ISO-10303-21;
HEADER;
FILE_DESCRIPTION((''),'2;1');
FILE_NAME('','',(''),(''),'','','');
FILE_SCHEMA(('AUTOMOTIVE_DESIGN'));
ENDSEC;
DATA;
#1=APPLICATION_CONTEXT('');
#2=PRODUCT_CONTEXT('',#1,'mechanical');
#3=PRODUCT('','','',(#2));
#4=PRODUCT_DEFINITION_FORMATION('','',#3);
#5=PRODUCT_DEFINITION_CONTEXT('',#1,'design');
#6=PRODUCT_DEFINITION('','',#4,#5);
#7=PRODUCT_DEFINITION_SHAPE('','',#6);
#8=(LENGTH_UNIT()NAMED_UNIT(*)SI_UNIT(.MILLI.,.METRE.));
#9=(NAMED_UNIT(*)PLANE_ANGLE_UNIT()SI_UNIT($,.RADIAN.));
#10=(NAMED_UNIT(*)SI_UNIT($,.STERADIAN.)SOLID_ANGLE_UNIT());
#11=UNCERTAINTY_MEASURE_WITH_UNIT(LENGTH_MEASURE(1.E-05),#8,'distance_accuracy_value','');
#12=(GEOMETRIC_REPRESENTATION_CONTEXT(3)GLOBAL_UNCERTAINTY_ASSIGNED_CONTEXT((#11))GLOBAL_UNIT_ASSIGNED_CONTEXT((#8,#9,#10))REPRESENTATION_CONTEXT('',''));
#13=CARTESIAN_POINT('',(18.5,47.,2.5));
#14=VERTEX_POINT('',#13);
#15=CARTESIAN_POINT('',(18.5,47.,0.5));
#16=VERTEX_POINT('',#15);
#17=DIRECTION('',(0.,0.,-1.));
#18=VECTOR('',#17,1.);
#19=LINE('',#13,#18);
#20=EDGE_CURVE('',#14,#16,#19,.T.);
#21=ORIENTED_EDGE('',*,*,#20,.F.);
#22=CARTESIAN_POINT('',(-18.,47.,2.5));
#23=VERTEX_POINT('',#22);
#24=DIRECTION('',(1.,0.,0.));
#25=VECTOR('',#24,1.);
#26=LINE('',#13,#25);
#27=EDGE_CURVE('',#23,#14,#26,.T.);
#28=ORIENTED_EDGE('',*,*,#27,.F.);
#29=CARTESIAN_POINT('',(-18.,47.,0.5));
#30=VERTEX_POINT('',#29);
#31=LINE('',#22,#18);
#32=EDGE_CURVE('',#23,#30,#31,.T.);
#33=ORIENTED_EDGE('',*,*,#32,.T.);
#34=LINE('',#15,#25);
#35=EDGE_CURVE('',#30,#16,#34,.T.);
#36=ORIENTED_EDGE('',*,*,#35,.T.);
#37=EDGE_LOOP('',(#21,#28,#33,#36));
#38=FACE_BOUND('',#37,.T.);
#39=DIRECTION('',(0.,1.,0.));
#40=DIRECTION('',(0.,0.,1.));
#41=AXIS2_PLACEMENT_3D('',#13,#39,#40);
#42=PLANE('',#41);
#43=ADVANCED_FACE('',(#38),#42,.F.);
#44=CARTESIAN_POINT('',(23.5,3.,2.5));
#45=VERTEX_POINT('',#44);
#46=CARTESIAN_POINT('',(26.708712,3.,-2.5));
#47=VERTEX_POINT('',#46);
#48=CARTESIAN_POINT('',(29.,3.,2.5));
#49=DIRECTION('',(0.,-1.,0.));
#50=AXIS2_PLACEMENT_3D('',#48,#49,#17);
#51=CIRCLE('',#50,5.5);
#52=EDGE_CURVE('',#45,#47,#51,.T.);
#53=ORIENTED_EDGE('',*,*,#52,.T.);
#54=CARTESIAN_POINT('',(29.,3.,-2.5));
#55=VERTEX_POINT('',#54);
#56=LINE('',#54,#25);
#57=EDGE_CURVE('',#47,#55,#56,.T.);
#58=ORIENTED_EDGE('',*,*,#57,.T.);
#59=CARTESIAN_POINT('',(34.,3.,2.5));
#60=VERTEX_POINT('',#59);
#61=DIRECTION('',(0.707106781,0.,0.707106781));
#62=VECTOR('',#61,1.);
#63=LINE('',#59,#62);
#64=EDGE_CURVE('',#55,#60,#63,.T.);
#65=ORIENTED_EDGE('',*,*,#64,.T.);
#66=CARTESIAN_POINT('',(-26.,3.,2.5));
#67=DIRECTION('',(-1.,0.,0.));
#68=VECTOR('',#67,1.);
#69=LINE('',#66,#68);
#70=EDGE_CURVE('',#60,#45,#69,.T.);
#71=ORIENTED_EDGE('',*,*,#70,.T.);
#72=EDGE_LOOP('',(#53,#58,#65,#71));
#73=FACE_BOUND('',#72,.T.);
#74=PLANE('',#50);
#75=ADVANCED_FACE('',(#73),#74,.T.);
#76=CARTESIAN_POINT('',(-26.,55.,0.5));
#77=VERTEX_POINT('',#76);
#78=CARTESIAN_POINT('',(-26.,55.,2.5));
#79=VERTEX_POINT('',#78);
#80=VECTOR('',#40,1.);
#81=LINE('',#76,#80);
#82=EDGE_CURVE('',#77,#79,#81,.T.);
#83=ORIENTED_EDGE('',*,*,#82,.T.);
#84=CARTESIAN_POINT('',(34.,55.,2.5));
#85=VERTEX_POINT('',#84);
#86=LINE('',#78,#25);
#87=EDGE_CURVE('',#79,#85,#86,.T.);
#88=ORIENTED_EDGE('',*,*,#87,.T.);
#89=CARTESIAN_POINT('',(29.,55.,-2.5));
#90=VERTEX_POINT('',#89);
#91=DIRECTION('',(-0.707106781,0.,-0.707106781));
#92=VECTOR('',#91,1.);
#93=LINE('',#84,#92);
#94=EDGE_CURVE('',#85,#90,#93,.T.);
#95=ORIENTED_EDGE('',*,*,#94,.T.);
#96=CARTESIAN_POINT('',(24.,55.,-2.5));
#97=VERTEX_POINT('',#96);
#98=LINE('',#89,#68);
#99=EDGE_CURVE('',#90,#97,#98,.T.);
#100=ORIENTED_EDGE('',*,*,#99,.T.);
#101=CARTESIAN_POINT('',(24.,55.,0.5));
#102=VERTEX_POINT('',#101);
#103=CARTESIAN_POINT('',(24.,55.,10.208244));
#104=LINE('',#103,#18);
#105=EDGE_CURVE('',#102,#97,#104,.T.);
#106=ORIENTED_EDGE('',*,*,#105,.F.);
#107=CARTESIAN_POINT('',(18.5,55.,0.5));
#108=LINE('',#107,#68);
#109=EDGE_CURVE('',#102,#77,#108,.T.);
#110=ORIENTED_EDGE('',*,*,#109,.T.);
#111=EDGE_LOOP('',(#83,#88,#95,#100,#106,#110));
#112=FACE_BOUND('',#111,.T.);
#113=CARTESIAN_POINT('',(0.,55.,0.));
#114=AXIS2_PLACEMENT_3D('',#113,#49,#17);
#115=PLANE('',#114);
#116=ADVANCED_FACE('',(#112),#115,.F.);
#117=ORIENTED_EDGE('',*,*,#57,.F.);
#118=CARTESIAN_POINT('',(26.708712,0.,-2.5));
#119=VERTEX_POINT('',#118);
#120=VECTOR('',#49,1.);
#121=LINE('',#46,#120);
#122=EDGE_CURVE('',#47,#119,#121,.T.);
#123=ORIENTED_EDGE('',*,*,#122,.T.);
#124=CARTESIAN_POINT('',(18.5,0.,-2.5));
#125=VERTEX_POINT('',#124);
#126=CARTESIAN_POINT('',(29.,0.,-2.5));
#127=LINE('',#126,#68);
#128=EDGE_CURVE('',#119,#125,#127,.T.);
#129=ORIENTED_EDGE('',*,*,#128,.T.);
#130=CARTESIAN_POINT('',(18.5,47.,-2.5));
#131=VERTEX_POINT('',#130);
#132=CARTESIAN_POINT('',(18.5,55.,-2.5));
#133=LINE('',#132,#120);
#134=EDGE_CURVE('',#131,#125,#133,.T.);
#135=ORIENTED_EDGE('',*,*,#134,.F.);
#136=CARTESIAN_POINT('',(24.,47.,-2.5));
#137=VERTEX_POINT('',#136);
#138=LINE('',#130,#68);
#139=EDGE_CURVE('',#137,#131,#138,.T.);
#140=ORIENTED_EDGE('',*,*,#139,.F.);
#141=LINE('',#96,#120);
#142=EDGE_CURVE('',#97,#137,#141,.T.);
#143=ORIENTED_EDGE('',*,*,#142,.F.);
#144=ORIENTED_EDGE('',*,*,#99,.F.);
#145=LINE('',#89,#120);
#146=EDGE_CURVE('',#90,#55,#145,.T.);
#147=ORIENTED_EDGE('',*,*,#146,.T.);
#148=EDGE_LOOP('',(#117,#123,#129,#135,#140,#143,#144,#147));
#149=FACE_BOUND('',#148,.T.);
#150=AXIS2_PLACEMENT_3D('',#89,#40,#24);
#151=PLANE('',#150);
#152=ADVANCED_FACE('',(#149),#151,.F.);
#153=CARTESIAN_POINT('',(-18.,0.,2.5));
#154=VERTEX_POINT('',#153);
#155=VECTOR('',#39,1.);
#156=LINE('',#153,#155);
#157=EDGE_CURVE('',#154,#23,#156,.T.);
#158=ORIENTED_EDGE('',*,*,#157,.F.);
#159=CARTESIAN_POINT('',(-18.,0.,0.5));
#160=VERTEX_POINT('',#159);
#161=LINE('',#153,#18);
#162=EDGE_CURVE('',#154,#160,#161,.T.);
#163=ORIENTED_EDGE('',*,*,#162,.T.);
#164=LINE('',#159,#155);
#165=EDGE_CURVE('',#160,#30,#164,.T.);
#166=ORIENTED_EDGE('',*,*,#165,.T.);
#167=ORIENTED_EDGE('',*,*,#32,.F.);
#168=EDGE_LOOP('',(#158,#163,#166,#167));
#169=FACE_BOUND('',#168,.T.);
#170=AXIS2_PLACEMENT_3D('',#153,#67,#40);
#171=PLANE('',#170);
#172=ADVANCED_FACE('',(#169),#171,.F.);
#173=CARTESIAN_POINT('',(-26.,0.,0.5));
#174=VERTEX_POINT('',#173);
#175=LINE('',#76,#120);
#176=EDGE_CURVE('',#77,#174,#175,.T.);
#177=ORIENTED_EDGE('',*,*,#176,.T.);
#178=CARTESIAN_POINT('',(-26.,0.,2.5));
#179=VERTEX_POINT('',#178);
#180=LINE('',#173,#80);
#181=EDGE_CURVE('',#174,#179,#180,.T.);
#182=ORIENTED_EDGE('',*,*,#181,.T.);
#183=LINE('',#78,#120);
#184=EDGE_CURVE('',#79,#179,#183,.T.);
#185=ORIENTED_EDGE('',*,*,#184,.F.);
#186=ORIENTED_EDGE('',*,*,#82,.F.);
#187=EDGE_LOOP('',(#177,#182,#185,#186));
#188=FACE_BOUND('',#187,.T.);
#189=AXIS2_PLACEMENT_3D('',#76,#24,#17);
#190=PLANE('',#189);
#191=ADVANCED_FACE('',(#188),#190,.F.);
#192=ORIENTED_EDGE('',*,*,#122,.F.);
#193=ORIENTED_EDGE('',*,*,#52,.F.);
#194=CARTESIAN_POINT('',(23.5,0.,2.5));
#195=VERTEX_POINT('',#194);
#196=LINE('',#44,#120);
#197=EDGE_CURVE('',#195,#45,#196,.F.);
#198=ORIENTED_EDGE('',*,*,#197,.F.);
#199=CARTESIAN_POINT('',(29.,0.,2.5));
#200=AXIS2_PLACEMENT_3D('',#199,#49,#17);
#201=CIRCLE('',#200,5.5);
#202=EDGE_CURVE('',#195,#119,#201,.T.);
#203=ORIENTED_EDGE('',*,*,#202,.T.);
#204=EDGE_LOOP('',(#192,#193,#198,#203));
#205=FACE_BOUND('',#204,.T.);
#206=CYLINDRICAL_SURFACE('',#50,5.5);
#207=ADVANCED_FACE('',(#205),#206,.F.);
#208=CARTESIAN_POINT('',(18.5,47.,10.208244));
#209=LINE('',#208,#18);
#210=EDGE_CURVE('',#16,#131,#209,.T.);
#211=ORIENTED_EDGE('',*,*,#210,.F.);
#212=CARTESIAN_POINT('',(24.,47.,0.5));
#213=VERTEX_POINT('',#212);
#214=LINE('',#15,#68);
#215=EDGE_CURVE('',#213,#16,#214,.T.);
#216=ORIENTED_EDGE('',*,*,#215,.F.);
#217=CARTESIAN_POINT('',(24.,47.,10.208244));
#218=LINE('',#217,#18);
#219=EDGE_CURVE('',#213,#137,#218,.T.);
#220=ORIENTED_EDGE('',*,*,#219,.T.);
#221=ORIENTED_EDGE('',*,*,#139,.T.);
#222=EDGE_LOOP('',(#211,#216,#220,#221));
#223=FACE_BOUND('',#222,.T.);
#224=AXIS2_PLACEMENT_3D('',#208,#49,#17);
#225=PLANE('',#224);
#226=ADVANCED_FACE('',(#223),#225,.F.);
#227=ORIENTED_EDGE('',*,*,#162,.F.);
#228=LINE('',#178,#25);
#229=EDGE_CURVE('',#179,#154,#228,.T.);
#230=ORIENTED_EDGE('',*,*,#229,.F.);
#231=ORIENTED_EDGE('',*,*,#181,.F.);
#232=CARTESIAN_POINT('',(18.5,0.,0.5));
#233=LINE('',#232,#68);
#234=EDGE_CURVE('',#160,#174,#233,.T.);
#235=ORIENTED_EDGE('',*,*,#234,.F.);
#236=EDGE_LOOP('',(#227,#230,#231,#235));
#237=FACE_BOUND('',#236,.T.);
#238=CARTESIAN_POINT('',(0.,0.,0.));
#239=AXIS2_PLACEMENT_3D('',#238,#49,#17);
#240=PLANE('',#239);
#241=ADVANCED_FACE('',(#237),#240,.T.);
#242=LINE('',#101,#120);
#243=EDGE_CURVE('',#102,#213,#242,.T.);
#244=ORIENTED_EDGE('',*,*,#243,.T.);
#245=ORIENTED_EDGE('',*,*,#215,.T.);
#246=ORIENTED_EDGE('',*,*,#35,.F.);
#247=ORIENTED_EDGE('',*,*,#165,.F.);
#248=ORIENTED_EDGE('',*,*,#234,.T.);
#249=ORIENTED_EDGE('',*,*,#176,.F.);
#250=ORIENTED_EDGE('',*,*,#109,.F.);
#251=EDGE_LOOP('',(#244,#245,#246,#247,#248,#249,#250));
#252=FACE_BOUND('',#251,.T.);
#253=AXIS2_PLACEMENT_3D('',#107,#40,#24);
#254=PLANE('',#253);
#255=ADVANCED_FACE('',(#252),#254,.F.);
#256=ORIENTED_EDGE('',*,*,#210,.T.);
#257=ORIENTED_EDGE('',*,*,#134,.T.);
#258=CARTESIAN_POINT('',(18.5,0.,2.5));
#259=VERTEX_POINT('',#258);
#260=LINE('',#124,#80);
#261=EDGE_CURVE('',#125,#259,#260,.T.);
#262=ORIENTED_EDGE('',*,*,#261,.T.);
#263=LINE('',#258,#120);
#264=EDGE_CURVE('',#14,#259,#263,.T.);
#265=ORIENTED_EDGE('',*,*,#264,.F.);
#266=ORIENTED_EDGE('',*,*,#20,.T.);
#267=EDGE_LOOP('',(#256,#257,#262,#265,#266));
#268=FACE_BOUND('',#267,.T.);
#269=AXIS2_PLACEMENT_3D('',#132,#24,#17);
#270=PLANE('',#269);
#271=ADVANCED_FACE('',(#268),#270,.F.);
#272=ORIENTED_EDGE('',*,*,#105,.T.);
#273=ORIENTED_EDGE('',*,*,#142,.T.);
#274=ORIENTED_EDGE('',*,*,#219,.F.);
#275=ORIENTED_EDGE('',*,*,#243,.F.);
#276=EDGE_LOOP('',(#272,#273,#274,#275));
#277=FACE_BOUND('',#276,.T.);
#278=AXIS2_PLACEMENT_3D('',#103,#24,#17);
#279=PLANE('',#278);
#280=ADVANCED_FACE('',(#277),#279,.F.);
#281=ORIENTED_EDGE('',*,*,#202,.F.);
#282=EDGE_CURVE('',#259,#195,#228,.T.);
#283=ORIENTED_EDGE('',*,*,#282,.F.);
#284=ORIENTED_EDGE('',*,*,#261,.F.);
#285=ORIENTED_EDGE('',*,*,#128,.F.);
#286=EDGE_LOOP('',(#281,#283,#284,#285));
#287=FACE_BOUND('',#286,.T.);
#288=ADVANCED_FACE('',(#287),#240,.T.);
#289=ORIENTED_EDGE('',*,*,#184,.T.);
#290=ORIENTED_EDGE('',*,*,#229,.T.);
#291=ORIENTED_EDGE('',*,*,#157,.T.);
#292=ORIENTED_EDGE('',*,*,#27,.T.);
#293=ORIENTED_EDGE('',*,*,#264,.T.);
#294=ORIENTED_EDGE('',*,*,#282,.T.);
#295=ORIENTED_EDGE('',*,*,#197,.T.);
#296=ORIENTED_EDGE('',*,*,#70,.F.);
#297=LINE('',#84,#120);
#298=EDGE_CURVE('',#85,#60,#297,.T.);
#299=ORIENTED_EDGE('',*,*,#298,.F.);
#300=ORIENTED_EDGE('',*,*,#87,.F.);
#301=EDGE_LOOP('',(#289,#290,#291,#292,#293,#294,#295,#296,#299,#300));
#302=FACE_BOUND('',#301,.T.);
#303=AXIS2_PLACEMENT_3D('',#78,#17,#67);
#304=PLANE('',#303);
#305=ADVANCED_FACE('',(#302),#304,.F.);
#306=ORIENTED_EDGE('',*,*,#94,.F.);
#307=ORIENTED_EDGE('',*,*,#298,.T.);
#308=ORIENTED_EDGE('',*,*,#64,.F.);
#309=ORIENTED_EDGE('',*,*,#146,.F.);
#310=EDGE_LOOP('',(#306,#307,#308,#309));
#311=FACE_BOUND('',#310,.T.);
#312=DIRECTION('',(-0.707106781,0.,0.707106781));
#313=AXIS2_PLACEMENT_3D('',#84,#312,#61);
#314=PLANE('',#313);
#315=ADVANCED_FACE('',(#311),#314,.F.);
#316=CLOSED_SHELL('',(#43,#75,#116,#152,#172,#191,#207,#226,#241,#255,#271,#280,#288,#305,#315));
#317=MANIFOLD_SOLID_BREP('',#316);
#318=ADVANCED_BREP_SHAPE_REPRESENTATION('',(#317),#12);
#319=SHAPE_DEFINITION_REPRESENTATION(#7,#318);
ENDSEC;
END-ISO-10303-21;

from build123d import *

# Parameters (mm, degrees)
BOSS_EXTRU_1_DEPTH      = 55
ESQUISSE2_W             = 36.5
ESQUISSE2_H             = 47
ENL_V_MAT_EXTRU_1_DEPTH = 65.730209331
ESQUISSE3_W             = 5.5
ESQUISSE3_H             = 8
ENL_V_MAT_EXTRU_2_DEPTH = 3
ESQUISSE4_R             = 5.5
ENL_V_MAT_EXTRU_3_DEPTH = 3


with BuildPart() as part:
    # Esquisse1 → Boss.-Extru.1 (new body)
    with BuildSketch(Plane(origin=(0, 0, 0), x_dir=(1, 0, 0), z_dir=(0, 1, 0))):
        Polygon((34, -2.5), (29, 2.5), (18.5, 2.5), (18.5, -0.5), (-26, -0.5), (-26, -2.5), align=None)
    extrude(amount=BOSS_EXTRU_1_DEPTH)

    # Esquisse2 → Enlèv. mat.-Extru.1 (cut, through all)
    with BuildSketch(Plane(origin=(0, 0, 0.5), x_dir=(-1, 0, 0), z_dir=(0, 0, -1))):
        with Locations((-0.25, 23.5)):
            Rectangle(ESQUISSE2_W, ESQUISSE2_H)
    extrude(amount=-ENL_V_MAT_EXTRU_1_DEPTH, mode=Mode.SUBTRACT)

    # Esquisse3 → Enlèv. mat.-Extru.2 (cut)
    with BuildSketch(Plane(origin=(0, 0, -2.5), x_dir=(-1, 0, 0), z_dir=(0, 0, -1))):
        with Locations((-21.25, 51)):
            Rectangle(ESQUISSE3_W, ESQUISSE3_H)
    extrude(amount=-ENL_V_MAT_EXTRU_2_DEPTH, mode=Mode.SUBTRACT)

    # Esquisse4 → Enlèv. mat.-Extru.3 (cut)
    with BuildSketch(Plane.XZ):
        with Locations((29, 2.5)):
            Circle(ESQUISSE4_R)
    extrude(amount=-ENL_V_MAT_EXTRU_3_DEPTH, mode=Mode.SUBTRACT)


solid = part.part
